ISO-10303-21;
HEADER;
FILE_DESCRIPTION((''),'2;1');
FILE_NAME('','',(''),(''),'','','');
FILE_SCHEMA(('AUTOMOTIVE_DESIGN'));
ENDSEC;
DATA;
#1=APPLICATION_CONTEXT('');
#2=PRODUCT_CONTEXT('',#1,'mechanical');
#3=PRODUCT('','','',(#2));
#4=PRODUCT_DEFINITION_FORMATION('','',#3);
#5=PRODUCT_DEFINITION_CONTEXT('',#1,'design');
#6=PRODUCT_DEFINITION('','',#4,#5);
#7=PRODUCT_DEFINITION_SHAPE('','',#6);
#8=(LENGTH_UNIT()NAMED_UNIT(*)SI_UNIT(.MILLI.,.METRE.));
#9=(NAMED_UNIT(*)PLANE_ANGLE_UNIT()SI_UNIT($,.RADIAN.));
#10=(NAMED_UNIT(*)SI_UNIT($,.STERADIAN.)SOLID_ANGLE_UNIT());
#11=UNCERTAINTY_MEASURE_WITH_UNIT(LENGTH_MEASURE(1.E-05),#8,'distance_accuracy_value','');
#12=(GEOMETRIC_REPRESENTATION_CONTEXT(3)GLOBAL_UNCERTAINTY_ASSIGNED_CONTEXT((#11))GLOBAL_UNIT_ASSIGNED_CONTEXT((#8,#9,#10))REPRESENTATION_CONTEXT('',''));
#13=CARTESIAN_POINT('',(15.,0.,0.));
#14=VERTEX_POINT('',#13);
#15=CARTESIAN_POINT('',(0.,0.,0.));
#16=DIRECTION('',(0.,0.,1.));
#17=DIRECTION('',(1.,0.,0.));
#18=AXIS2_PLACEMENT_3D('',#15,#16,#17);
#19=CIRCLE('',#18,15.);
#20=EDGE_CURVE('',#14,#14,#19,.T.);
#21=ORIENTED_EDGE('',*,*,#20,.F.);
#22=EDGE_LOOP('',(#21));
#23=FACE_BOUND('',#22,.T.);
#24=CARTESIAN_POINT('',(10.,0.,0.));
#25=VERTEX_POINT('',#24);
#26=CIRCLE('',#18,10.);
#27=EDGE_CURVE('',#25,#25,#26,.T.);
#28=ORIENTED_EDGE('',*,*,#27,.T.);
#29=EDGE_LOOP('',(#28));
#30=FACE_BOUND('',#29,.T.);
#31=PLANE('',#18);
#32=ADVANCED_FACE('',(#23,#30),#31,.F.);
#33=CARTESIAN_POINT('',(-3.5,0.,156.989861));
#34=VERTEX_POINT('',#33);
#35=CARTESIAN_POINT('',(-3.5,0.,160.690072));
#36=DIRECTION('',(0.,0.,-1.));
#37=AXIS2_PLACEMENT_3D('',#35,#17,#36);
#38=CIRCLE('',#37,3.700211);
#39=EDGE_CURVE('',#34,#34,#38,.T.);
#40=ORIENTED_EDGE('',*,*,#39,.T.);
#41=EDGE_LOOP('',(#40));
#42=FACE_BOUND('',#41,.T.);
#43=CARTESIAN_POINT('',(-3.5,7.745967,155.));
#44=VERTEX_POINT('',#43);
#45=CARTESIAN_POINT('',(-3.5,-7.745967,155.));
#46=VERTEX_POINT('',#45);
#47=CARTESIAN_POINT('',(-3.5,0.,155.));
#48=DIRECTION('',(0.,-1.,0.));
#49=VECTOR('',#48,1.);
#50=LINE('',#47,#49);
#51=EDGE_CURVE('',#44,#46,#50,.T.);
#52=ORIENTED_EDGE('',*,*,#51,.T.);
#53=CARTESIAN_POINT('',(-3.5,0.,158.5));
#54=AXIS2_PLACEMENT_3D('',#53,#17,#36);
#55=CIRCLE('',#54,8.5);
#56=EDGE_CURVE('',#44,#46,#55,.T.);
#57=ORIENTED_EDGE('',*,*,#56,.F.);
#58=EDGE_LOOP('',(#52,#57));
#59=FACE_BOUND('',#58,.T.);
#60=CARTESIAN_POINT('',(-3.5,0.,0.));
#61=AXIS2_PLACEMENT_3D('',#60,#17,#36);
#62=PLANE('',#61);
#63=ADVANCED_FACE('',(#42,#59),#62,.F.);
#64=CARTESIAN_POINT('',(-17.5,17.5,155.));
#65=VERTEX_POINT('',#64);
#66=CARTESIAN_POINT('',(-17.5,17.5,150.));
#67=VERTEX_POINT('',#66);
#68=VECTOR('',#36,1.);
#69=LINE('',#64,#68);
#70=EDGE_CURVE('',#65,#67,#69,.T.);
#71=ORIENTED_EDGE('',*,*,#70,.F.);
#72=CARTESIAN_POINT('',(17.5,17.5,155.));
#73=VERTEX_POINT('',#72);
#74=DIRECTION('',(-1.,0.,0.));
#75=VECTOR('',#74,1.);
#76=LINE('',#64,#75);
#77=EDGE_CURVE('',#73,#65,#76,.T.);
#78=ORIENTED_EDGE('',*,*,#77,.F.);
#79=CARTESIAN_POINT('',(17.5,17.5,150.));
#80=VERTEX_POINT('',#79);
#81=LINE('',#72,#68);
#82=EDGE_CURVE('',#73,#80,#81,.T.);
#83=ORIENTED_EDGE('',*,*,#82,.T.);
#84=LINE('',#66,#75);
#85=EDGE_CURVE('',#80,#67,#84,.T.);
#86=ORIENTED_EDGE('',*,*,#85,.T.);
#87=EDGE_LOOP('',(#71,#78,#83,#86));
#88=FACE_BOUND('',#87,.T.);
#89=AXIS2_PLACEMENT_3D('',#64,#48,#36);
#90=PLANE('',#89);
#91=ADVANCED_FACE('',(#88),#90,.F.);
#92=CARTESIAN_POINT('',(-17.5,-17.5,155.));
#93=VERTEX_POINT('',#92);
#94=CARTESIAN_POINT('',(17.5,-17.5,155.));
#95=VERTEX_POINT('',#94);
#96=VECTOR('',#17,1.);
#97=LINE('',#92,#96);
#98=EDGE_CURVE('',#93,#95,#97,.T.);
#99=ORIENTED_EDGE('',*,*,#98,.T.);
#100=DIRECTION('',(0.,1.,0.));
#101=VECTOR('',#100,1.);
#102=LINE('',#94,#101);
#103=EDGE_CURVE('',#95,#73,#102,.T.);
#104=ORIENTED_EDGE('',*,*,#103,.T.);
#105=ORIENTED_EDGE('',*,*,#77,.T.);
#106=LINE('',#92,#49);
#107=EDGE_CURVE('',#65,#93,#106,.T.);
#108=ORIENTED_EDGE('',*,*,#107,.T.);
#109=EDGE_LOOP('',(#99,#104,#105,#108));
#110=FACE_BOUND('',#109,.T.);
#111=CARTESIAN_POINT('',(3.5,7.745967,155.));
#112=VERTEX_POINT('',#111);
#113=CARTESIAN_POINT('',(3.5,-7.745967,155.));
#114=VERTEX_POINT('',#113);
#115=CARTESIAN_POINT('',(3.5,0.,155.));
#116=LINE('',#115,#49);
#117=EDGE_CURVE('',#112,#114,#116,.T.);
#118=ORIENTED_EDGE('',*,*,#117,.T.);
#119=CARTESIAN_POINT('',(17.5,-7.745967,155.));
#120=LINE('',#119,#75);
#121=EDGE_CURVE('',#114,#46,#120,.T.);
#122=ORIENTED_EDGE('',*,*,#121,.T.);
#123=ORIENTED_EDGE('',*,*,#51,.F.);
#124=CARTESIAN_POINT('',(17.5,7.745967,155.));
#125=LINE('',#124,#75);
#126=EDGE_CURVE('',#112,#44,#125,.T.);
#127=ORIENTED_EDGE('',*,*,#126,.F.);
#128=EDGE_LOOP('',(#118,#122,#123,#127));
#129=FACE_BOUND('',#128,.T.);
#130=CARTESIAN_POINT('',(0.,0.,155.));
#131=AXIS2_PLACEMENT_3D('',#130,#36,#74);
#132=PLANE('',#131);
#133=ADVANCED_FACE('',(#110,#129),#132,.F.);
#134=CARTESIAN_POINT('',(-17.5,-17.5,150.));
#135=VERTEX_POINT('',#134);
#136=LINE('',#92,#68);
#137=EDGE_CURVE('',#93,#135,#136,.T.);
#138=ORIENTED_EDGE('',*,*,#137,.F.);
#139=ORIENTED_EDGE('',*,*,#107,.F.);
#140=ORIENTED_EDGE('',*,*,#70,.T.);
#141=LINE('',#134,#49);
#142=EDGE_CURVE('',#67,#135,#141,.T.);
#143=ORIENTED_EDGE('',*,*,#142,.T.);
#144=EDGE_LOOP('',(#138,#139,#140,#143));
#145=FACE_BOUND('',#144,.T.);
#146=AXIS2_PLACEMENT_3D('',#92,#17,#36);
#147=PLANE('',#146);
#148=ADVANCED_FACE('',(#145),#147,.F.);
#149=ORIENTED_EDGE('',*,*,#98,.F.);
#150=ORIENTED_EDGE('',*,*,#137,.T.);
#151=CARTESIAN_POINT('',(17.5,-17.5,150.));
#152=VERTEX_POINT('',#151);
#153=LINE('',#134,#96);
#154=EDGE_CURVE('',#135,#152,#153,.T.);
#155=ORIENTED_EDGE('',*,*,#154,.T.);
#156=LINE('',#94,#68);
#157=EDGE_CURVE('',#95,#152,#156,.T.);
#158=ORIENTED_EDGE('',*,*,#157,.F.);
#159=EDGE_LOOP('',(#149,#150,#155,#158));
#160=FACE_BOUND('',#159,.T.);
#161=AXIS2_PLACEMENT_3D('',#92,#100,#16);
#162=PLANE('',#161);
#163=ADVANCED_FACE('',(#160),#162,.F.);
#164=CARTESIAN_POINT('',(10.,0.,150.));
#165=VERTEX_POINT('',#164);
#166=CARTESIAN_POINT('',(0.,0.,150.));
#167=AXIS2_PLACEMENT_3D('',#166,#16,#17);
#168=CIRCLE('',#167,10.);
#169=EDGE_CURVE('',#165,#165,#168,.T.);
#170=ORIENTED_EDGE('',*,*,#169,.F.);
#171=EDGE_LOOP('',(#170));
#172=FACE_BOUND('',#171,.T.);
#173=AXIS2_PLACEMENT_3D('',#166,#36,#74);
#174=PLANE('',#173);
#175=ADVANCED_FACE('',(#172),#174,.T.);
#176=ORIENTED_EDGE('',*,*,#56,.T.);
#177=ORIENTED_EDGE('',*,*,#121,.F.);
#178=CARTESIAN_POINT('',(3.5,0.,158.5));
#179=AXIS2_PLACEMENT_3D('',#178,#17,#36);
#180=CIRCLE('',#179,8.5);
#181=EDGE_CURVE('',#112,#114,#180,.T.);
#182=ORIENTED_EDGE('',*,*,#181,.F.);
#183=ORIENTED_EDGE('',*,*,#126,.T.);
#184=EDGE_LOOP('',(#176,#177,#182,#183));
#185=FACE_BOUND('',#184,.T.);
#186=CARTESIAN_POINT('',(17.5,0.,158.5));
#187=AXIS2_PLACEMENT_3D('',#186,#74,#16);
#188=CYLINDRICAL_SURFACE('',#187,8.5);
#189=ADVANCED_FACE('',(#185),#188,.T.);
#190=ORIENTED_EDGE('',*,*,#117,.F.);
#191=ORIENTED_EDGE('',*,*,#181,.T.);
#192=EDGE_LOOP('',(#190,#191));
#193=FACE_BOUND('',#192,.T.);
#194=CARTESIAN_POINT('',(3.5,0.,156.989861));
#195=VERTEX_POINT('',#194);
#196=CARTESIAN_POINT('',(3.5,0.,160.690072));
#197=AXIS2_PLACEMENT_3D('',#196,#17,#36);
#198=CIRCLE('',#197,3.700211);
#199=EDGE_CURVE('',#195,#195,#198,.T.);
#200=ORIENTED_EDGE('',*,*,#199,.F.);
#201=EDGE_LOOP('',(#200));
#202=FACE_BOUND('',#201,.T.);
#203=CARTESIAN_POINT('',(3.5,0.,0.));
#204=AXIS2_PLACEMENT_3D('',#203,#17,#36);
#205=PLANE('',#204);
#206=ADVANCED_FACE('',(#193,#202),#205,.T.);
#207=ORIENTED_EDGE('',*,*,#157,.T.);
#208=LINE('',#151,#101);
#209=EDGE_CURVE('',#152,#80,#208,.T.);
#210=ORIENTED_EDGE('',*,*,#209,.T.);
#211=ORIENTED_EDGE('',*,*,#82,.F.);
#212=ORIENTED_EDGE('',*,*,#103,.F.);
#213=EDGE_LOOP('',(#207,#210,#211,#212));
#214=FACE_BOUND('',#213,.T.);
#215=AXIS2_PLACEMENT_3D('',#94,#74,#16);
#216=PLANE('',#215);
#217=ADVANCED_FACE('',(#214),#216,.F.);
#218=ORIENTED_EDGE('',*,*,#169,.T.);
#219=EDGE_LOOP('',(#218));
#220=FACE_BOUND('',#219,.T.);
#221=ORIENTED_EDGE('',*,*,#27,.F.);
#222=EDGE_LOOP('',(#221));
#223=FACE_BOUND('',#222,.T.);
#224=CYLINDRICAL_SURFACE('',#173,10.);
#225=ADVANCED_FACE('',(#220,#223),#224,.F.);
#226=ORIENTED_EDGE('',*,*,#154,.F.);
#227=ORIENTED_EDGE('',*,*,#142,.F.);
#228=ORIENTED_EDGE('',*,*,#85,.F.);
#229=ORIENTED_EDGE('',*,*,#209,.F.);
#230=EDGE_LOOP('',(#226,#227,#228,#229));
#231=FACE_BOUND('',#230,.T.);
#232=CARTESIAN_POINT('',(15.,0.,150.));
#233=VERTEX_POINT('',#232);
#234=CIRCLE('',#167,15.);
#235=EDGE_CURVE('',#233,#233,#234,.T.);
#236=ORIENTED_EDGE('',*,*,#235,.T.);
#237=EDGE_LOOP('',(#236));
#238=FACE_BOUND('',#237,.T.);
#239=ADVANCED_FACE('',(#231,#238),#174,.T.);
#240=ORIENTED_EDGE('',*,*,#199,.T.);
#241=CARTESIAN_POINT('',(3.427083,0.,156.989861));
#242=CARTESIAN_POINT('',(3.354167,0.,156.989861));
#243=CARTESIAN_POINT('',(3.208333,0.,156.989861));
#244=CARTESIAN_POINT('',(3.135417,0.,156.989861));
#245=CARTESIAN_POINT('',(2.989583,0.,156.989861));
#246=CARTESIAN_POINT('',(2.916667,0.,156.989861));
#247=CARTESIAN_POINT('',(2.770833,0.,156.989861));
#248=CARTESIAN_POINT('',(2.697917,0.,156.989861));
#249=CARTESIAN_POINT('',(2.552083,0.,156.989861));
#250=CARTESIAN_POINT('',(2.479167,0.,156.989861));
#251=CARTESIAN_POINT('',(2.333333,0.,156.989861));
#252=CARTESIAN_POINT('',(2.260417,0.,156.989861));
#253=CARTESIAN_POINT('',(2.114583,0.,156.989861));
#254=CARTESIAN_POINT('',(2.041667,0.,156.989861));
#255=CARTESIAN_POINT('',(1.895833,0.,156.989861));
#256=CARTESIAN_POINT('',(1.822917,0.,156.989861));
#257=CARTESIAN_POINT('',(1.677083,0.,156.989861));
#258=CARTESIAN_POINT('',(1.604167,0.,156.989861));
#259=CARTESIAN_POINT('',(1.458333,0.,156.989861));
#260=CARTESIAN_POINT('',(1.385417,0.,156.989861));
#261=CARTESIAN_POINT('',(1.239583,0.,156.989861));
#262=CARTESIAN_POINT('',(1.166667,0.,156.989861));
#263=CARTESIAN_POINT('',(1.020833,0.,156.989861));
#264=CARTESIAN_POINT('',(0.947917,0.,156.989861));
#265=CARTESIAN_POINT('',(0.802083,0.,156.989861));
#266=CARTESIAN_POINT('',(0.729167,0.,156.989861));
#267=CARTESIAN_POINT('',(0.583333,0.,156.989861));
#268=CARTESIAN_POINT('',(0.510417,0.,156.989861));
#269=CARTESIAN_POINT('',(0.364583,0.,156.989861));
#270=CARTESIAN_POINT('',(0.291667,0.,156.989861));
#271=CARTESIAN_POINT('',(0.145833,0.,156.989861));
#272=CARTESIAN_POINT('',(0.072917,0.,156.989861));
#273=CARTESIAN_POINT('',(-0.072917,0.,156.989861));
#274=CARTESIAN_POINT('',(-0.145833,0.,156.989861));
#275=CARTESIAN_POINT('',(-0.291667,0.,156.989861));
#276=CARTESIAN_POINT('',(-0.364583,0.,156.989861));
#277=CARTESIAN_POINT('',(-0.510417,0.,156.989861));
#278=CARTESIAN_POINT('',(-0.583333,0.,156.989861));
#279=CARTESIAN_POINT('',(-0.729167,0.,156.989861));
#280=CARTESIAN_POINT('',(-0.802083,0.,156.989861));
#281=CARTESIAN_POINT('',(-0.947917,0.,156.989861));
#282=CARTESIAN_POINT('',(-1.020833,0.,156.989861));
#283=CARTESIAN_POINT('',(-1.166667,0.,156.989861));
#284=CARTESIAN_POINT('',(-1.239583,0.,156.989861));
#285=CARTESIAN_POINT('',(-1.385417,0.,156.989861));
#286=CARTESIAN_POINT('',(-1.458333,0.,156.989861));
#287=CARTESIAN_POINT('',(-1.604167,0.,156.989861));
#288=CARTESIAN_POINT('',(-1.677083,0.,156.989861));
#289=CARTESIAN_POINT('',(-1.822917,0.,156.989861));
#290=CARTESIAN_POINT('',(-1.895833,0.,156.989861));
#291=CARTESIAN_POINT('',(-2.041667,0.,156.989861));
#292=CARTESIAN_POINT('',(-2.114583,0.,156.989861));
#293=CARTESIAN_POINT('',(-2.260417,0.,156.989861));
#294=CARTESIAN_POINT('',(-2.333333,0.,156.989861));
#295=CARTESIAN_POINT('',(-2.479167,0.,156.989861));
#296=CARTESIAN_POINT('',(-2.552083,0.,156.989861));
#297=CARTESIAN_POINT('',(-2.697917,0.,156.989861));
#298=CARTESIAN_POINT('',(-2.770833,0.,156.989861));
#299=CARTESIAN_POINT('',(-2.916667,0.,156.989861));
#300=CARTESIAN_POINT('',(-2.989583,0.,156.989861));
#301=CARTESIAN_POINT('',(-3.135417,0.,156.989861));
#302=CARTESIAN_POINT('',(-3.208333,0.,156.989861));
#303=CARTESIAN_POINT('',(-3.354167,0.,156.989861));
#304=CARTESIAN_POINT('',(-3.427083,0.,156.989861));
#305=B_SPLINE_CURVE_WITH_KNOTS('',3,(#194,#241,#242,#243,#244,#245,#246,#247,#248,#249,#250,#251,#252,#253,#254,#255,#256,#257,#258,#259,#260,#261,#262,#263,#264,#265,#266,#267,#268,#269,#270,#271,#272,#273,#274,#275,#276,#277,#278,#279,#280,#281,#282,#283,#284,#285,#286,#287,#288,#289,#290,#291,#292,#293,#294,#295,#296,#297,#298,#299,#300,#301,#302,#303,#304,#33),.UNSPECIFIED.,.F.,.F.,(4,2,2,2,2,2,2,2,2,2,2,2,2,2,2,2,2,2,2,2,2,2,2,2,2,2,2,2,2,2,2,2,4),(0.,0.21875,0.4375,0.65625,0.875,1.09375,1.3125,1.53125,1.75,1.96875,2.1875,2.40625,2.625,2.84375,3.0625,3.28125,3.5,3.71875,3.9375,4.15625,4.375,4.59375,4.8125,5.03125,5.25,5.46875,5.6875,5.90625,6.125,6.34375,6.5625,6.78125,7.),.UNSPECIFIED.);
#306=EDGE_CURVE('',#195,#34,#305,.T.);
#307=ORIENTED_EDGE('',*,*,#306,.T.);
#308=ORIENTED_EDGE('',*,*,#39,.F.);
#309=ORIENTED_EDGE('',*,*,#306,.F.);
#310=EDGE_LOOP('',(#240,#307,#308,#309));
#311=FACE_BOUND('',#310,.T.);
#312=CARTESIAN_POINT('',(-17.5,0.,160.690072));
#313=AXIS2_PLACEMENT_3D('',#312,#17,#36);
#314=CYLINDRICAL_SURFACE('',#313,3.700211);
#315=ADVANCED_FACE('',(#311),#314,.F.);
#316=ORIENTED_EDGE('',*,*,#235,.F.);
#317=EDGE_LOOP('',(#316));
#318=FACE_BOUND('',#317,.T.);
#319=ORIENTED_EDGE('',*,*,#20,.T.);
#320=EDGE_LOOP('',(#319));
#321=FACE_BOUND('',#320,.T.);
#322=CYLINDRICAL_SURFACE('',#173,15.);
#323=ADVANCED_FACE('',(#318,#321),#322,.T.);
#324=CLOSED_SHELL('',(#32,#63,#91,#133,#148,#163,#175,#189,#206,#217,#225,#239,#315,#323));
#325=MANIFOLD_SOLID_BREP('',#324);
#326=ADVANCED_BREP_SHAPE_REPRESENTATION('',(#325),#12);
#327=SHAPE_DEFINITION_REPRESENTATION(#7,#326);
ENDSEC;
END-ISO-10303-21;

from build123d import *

# Parameters (mm, degrees)
SKETCH1_R           = 15
SKETCH1_R_2         = 10
BOSS_EXTRUDE1_DEPTH = 150
SKETCH2_W           = 35
SKETCH2_H           = 35
BOSS_EXTRUDE2_DEPTH = 5
BOSS_EXTRUDE3_DEPTH = 17.5
CUT_EXTRUDE2_REACH  = 171.222
CUT_EXTRUDE3_REACH  = 171.222
SKETCH8_R           = 3.700210901
CUT_EXTRUDE4_DEPTH  = 170.222486685


with BuildPart() as part:
    # Sketch1 → Boss-Extrude1 (new body)
    with BuildSketch(Plane.XY):
        Circle(SKETCH1_R)
        Circle(SKETCH1_R_2, mode=Mode.SUBTRACT)
    extrude(amount=BOSS_EXTRUDE1_DEPTH)

    # Sketch2 → Boss-Extrude2 (add)
    with BuildSketch(Plane.XY.offset(150)):
        Rectangle(SKETCH2_W, SKETCH2_H)
    extrude(amount=BOSS_EXTRUDE2_DEPTH)

    # Sketch3 → Boss-Extrude3 (add, symmetric)
    with BuildSketch(Plane(origin=(0, 0, 0), x_dir=(0, 0, -1), z_dir=(1, 0, 0))):
        with BuildLine():
            ThreePointArc((-155, 7.745966692), (-167, 0), (-155, -7.745966692))
            Line((-155, -7.745966692), (-155, 7.745966692))
        make_face()
        with BuildLine():
            Line((-155, 7.745966692), (-155, -7.745966692))
            ThreePointArc((-155, -7.745966692), (-151.358571571, -4.609772229), (-150, 0))
            ThreePointArc((-150, 0), (-151.358571571, 4.609772229), (-155, 7.745966692))
        make_face()
    extrude(amount=BOSS_EXTRUDE3_DEPTH, both=True)

    # Sketch5 → Cut-Extrude2 (cut, up to next)
    with BuildSketch(Plane(origin=(3.5, 0, 0), x_dir=(0, 0, -1), z_dir=(1, 0, 0)), mode=Mode.PRIVATE) as cut_extrude2_sk1:
        with BuildLine():
            Line((-155, -7.745966692), (-155, 7.745966692))
            ThreePointArc((-155, 7.745966692), (-167, 0), (-155, -7.745966692))
        make_face()
    cut_extrude2_tool1 = extrude(cut_extrude2_sk1.sketch, amount=CUT_EXTRUDE2_REACH, mode=Mode.PRIVATE) & part.part
    add(cut_extrude2_tool1.solids().sort_by_distance((3.5, 0, 160.309139))[0], mode=Mode.SUBTRACT)

    # Sketch6 → Cut-Extrude3 (cut, up to next)
    with BuildSketch(Plane(origin=(-3.5, 0, 0), x_dir=(0, 0, -1), z_dir=(1, 0, 0)), mode=Mode.PRIVATE) as cut_extrude3_sk1:
        with BuildLine():
            Line((-155, -7.745966692), (-155, 7.745966692))
            ThreePointArc((-155, 7.745966692), (-167, 0), (-155, -7.745966692))
        make_face()
    cut_extrude3_tool1 = extrude(cut_extrude3_sk1.sketch, amount=-CUT_EXTRUDE3_REACH, mode=Mode.PRIVATE) & part.part
    add(cut_extrude3_tool1.solids().sort_by_distance((-3.5, 0, 160.309139))[0], mode=Mode.SUBTRACT)

    # Sketch8 → Cut-Extrude4 (cut, through all)
    with BuildSketch(Plane(origin=(3.5, 0, 0), x_dir=(0, 0, -1), z_dir=(1, 0, 0))):
        with Locations((-160.690072365, 0)):
            Circle(SKETCH8_R)
    extrude(amount=-CUT_EXTRUDE4_DEPTH, mode=Mode.SUBTRACT)


solid = part.part
